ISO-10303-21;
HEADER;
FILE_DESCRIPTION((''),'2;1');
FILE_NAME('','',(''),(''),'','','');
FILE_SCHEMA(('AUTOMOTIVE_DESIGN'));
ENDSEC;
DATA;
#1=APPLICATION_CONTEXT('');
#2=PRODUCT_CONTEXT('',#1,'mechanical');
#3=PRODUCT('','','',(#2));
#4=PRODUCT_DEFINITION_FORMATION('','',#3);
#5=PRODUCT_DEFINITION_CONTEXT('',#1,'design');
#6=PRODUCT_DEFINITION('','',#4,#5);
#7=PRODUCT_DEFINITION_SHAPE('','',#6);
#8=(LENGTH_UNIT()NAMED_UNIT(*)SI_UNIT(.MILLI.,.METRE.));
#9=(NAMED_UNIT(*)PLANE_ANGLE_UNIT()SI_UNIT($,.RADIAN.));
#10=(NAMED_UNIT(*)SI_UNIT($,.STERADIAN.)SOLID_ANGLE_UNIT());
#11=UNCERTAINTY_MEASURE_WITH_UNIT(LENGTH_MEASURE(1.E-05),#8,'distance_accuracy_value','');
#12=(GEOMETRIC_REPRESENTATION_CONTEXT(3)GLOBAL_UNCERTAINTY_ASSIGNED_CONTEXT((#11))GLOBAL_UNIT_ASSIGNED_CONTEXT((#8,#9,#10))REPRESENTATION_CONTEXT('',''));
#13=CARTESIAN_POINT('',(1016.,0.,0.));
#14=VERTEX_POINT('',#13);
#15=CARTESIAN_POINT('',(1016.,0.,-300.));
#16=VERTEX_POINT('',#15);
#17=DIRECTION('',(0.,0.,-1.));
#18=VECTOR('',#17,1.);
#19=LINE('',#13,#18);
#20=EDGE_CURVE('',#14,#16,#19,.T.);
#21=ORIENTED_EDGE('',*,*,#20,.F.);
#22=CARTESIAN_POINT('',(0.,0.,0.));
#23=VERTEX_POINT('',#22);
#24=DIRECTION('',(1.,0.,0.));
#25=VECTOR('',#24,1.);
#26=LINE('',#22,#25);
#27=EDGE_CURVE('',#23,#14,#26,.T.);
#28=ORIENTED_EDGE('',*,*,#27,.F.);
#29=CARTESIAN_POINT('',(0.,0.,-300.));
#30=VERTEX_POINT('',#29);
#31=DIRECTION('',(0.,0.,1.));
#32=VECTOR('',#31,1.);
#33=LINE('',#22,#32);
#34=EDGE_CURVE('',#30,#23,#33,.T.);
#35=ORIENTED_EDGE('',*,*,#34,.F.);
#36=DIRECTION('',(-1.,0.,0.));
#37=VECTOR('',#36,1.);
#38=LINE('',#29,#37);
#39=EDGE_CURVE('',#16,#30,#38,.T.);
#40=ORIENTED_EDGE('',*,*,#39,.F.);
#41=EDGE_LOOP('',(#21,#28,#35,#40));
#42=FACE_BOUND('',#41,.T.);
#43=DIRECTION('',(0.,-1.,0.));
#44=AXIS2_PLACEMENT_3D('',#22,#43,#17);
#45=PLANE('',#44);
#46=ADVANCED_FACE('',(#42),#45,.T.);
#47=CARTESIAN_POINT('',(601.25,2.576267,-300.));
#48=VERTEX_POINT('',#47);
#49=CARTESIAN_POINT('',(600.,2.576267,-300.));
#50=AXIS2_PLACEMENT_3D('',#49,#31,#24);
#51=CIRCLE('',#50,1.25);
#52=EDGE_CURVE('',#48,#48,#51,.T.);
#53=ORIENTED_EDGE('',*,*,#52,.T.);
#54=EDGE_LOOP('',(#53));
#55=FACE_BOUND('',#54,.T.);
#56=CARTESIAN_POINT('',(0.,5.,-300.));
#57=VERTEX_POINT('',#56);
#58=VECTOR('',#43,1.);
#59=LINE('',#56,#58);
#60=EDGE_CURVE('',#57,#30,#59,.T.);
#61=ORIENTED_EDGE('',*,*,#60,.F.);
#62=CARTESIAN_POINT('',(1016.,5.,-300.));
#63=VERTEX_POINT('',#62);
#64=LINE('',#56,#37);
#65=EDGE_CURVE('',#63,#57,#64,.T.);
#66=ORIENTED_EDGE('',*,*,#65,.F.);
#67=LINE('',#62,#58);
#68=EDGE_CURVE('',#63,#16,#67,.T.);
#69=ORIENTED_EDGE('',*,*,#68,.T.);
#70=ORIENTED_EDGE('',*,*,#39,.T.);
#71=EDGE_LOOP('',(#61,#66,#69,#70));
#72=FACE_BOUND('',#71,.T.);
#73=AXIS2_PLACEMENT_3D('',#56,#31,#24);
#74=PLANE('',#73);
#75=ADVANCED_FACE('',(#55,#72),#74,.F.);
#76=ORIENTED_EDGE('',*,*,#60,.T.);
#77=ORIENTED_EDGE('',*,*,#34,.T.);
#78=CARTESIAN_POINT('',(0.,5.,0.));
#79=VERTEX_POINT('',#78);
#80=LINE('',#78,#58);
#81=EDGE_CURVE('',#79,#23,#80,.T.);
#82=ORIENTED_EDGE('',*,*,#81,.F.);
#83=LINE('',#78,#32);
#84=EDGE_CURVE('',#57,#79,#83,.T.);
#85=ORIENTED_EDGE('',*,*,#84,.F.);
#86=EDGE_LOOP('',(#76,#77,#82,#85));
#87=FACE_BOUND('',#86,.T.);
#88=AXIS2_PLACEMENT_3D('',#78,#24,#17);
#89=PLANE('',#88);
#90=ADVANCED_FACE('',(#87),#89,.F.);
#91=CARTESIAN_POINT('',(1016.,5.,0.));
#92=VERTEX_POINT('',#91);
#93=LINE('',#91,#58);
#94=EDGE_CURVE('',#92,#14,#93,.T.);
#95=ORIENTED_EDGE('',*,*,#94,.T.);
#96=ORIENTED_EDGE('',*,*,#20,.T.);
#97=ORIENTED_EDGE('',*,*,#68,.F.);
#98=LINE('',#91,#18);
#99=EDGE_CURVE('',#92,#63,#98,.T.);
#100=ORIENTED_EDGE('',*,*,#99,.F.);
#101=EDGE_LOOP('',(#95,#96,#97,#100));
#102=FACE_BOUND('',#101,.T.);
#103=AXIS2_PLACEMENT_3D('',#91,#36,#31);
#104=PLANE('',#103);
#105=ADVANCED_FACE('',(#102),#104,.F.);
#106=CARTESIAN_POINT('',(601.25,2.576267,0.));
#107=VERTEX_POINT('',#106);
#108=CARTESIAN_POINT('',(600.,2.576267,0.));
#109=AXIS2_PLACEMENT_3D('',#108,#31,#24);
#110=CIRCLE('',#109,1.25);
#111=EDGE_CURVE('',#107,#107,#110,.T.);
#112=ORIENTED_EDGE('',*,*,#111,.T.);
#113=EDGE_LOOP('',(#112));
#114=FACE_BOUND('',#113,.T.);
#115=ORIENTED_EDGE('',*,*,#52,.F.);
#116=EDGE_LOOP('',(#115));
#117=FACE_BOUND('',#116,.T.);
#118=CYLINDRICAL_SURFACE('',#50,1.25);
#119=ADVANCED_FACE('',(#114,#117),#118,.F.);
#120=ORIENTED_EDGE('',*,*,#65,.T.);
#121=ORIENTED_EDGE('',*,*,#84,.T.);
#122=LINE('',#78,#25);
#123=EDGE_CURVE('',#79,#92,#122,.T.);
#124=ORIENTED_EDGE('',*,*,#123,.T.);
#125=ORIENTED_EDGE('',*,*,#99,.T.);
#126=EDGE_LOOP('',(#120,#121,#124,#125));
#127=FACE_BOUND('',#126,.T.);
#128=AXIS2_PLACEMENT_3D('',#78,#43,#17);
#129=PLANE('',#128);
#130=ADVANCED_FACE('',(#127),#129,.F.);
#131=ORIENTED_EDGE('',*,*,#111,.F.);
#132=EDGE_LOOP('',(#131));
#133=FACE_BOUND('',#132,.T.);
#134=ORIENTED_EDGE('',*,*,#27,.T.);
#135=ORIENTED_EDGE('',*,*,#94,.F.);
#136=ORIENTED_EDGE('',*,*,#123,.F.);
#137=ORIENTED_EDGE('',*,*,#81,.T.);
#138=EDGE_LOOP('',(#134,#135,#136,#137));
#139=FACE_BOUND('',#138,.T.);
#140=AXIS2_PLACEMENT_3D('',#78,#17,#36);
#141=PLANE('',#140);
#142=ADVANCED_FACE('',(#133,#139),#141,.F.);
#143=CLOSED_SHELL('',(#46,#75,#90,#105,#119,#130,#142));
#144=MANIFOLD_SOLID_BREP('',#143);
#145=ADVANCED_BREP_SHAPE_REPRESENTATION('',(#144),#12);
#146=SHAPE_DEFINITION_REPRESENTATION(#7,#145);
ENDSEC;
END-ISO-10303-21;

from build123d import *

# Parameters (mm, degrees)
SKETCH1_W           = 1016
SKETCH1_H           = 300
BOSS_EXTRUDE1_DEPTH = 5
SKETCH2_R           = 1.25
CUT_EXTRUDE1_DEPTH  = 301


with BuildPart() as part:
    # Sketch1 → Boss-Extrude1 (new body)
    with BuildSketch(Plane(origin=(0, 0, 0), x_dir=(1, 0, 0), z_dir=(0, 1, 0))):
        with Locations((508, 150)):
            Rectangle(SKETCH1_W, SKETCH1_H)
    extrude(amount=BOSS_EXTRUDE1_DEPTH)

    # Sketch2 → Cut-Extrude1 (cut, through all)
    with BuildSketch(Plane.XY):
        with Locations((600, 2.576267447)):
            Circle(SKETCH2_R)
    extrude(amount=-CUT_EXTRUDE1_DEPTH, mode=Mode.SUBTRACT)


solid = part.part
